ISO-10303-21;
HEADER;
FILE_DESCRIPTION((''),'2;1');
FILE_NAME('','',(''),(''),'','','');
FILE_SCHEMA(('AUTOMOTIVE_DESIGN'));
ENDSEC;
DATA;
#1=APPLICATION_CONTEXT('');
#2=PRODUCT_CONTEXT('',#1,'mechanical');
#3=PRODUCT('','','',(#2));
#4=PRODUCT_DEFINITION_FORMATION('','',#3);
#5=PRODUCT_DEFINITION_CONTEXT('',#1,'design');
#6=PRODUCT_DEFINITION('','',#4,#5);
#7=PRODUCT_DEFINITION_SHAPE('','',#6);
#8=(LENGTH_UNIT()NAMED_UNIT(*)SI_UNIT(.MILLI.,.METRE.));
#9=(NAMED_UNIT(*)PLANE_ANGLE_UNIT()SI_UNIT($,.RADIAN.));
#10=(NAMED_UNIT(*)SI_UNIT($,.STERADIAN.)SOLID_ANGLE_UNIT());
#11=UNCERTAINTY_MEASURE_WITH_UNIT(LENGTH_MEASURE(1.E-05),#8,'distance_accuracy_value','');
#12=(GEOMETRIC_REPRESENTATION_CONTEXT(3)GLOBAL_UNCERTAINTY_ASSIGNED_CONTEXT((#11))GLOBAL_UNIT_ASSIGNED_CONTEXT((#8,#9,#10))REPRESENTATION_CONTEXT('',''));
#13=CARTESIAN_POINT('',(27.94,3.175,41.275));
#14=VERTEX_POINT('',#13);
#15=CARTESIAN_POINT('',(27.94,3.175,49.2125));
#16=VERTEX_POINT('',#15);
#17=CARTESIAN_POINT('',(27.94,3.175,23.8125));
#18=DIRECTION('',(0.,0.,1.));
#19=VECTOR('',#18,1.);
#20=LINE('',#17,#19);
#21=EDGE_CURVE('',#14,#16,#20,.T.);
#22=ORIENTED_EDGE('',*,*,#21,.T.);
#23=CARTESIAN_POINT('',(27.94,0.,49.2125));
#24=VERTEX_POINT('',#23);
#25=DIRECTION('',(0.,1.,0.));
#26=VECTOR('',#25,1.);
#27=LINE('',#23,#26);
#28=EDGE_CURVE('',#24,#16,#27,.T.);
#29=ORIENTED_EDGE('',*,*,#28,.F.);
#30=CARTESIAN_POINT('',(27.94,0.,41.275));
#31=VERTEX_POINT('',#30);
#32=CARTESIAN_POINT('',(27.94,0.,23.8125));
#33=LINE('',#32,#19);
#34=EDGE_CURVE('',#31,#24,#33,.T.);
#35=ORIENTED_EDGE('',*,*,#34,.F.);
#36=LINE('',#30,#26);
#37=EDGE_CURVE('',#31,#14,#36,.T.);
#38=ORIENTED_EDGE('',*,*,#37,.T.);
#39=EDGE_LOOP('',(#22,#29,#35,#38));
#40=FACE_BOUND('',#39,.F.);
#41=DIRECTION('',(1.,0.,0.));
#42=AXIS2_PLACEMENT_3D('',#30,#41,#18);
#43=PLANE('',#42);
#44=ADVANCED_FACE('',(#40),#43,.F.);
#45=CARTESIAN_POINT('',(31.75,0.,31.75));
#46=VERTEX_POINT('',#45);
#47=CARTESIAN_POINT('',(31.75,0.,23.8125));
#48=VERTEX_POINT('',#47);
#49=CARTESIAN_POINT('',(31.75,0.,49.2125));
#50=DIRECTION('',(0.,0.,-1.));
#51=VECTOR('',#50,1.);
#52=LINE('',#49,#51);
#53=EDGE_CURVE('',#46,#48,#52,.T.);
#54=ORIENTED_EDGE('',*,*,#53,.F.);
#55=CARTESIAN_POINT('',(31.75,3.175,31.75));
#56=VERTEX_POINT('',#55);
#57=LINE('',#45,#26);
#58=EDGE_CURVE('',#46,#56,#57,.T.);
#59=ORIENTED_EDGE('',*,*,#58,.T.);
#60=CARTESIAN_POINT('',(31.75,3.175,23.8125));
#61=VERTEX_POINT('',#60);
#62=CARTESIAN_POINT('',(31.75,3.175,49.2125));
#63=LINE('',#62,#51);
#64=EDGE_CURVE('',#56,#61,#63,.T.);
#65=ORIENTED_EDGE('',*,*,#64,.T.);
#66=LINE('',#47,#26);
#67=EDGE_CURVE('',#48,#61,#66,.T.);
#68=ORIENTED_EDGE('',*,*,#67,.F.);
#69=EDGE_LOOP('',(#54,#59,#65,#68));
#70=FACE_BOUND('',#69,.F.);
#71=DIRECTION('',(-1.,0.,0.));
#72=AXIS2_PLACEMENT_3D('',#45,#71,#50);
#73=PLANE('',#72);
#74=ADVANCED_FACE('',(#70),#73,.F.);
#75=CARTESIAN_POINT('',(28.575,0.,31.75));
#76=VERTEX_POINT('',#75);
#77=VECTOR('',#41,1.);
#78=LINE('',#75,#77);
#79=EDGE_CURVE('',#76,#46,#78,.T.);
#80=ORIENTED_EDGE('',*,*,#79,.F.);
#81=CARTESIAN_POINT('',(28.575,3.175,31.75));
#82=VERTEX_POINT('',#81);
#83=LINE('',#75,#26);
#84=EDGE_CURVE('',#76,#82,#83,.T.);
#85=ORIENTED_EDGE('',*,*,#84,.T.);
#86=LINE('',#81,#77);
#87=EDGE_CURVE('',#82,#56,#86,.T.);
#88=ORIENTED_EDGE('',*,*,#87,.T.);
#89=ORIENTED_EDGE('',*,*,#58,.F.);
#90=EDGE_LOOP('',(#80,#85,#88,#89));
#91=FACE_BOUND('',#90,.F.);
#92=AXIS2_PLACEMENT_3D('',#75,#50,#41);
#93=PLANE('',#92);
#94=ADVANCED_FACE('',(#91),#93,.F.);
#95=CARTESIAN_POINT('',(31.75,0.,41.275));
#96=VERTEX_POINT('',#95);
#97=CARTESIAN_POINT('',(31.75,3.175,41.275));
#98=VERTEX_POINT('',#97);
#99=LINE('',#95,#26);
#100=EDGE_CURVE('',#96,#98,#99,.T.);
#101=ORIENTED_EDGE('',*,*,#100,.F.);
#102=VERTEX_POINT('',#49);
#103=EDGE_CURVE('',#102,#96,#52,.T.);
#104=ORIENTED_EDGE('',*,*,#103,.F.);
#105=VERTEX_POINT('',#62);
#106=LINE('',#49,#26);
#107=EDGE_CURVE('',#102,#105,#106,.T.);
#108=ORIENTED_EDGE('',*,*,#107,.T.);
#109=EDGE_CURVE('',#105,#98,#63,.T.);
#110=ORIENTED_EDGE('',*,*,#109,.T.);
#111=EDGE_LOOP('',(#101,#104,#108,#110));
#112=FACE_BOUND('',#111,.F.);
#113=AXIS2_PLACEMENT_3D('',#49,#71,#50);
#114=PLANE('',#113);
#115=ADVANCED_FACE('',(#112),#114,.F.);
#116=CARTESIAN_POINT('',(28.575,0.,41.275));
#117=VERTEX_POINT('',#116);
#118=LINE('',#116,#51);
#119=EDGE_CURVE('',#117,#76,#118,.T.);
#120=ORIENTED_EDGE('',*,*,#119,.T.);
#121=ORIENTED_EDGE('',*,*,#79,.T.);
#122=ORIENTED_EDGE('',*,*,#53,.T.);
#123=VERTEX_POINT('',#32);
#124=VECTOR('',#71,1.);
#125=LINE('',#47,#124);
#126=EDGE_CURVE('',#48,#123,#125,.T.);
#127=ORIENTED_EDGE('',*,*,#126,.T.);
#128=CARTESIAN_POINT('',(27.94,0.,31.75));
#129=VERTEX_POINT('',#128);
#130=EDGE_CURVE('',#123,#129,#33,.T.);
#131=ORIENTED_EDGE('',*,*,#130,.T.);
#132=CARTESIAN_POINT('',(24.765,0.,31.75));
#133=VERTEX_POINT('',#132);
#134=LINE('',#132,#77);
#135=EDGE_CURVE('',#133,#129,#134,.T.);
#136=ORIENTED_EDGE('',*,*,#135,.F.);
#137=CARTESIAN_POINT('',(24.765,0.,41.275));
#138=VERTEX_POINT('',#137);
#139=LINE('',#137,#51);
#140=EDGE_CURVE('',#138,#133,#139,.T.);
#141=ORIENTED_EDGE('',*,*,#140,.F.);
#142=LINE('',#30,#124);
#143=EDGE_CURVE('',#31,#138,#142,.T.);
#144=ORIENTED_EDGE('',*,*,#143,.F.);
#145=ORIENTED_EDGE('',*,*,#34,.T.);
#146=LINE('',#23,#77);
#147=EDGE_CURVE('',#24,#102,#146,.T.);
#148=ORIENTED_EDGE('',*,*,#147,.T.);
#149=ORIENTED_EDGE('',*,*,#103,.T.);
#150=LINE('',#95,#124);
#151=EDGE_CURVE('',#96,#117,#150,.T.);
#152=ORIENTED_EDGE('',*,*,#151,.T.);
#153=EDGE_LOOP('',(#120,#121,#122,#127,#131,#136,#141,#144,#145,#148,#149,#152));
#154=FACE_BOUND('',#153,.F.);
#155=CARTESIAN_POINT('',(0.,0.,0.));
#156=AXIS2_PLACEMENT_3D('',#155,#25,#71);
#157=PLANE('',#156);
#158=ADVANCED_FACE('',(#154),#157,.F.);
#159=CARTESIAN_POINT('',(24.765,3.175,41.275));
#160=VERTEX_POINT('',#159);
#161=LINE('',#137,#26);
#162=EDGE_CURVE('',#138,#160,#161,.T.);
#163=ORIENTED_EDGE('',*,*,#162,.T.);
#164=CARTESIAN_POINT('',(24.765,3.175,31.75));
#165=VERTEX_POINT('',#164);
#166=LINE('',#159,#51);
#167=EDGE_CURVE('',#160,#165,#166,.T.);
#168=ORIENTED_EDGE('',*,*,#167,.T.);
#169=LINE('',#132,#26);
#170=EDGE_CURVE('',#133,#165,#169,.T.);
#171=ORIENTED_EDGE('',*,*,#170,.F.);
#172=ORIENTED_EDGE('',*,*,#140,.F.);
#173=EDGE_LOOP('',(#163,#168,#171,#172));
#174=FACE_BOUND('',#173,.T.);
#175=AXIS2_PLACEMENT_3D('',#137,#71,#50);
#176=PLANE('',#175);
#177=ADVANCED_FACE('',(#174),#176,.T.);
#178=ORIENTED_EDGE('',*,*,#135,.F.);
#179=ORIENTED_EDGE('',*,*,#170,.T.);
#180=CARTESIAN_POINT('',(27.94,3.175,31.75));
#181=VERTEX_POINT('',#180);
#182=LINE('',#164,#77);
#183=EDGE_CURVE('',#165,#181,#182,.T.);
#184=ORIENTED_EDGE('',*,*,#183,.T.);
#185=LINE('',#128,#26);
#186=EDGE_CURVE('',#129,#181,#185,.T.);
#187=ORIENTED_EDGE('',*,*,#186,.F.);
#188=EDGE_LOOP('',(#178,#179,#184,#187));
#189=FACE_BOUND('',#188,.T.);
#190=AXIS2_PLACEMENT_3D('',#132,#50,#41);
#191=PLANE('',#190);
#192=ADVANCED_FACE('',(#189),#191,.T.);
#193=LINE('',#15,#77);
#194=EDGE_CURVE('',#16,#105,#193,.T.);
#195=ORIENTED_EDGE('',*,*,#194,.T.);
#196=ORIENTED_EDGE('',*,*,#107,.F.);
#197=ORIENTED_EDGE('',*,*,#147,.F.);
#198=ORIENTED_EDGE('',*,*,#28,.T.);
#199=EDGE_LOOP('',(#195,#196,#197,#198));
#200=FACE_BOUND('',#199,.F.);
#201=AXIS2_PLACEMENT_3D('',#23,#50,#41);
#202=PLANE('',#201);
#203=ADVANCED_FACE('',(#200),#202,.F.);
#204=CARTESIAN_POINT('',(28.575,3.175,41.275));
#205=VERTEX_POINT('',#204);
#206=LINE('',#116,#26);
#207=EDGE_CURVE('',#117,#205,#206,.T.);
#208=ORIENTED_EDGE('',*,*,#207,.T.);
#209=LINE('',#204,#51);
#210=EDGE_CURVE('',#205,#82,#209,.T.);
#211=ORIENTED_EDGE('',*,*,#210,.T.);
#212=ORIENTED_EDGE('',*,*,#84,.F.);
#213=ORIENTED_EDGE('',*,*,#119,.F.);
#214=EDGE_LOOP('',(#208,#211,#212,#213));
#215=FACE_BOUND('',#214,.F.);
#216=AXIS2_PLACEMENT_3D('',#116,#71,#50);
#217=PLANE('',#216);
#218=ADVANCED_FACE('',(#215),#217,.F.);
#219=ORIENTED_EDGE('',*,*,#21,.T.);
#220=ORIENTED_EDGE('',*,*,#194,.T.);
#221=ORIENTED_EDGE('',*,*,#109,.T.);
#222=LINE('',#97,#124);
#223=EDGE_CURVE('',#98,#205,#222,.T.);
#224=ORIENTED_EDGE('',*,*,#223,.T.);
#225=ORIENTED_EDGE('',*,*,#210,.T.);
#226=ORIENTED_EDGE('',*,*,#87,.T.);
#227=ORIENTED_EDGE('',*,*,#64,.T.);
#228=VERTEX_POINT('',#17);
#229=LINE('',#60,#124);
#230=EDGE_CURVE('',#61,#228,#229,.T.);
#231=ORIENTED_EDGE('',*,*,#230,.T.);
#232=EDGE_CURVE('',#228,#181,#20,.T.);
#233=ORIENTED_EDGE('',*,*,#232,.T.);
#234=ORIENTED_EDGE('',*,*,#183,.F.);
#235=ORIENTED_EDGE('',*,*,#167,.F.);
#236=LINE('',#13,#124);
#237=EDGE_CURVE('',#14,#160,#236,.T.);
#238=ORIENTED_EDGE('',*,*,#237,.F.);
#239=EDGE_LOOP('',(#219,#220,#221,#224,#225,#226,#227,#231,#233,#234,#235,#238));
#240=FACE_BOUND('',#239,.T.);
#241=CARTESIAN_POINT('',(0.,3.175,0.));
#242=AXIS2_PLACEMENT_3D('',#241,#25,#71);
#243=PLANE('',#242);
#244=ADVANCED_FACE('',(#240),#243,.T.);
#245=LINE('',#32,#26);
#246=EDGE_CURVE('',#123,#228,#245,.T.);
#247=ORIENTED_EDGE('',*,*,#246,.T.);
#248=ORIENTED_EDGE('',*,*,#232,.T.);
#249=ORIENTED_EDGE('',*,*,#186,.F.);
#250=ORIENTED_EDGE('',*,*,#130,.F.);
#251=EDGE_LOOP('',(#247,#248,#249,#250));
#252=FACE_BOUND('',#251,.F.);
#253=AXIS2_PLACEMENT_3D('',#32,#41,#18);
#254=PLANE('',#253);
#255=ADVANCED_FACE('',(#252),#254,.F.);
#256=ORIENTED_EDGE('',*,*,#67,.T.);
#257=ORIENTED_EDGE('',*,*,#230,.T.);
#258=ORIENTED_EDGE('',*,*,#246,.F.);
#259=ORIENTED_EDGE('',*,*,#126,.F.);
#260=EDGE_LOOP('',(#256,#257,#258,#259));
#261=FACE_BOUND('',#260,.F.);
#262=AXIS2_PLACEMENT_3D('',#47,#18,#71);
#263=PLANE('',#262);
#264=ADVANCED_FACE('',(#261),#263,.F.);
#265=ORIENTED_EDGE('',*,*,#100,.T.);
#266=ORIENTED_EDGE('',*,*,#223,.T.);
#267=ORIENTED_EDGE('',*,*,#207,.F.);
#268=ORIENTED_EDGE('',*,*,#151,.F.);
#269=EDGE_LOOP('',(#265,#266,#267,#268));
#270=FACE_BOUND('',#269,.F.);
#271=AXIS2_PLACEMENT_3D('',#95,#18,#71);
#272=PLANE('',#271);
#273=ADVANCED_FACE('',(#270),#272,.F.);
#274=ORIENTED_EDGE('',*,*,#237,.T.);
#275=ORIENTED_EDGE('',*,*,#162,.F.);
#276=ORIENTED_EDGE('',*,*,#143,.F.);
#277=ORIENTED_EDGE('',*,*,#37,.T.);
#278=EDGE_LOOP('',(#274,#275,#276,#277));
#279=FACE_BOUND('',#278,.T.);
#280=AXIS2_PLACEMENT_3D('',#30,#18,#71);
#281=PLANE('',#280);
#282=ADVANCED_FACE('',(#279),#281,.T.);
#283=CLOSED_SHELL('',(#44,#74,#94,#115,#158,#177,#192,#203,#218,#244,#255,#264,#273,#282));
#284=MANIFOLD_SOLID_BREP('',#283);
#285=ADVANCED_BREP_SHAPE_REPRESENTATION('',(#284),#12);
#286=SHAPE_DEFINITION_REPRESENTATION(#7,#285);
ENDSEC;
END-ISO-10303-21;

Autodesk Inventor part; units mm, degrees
ref_plane "YZ Plane" through (0, 0, 0) normal (1, 0, 0) x (0, 1, 0)
ref_plane "XZ Plane" through (0, 0, 0) normal (0, 1, 0) x (-1, 0, 0)
ref_plane "XY Plane" through (0, 0, 0) normal (0, 0, 1) x (1, 0, 0)
sketch "Sketch1" plane through (0, 0, 0) normal (0, 1, 0) x (-1, 0, 0)
  line L0 (-27.94, 49.2125) -> (-31.75, 49.2125)
  line L1 (-31.75, 49.2125) -> (-31.75, 23.8125)
  line L2 (-31.75, 23.8125) -> (-27.94, 23.8125)
  line L3 (-27.94, 23.8125) -> (-27.94, 49.2125)
  line L4 (-27.94, 41.275) -> (-24.765, 41.275)
  line L5 (-24.765, 41.275) -> (-24.765, 31.75)
  line L6 (-24.765, 31.75) -> (-27.94, 31.75)
  line L7 (-27.94, 31.75) -> (-27.94, 41.275)
  line L8 (-31.75, 41.275) -> (-28.575, 41.275)
  line L9 (-28.575, 41.275) -> (-28.575, 31.75)
  line L10 (-28.575, 31.75) -> (-31.75, 31.75)
  line L11 (-31.75, 31.75) -> (-31.75, 41.275)
  point P0 (0, 0)
  dimension "d0" = 7.9375
  dimension "d1" = 7.9375
  dimension "d2" = 25.4
  dimension "d3" = 3.175
  dimension "d4" = 3.81
  dimension "d5" = 3.175
extrude "Extrusion1" add sketch "Sketch1" along normal blind 3.175 contours L3 L2 L1 L10 L9 L8 L0 | L4 L5 L6 L3
